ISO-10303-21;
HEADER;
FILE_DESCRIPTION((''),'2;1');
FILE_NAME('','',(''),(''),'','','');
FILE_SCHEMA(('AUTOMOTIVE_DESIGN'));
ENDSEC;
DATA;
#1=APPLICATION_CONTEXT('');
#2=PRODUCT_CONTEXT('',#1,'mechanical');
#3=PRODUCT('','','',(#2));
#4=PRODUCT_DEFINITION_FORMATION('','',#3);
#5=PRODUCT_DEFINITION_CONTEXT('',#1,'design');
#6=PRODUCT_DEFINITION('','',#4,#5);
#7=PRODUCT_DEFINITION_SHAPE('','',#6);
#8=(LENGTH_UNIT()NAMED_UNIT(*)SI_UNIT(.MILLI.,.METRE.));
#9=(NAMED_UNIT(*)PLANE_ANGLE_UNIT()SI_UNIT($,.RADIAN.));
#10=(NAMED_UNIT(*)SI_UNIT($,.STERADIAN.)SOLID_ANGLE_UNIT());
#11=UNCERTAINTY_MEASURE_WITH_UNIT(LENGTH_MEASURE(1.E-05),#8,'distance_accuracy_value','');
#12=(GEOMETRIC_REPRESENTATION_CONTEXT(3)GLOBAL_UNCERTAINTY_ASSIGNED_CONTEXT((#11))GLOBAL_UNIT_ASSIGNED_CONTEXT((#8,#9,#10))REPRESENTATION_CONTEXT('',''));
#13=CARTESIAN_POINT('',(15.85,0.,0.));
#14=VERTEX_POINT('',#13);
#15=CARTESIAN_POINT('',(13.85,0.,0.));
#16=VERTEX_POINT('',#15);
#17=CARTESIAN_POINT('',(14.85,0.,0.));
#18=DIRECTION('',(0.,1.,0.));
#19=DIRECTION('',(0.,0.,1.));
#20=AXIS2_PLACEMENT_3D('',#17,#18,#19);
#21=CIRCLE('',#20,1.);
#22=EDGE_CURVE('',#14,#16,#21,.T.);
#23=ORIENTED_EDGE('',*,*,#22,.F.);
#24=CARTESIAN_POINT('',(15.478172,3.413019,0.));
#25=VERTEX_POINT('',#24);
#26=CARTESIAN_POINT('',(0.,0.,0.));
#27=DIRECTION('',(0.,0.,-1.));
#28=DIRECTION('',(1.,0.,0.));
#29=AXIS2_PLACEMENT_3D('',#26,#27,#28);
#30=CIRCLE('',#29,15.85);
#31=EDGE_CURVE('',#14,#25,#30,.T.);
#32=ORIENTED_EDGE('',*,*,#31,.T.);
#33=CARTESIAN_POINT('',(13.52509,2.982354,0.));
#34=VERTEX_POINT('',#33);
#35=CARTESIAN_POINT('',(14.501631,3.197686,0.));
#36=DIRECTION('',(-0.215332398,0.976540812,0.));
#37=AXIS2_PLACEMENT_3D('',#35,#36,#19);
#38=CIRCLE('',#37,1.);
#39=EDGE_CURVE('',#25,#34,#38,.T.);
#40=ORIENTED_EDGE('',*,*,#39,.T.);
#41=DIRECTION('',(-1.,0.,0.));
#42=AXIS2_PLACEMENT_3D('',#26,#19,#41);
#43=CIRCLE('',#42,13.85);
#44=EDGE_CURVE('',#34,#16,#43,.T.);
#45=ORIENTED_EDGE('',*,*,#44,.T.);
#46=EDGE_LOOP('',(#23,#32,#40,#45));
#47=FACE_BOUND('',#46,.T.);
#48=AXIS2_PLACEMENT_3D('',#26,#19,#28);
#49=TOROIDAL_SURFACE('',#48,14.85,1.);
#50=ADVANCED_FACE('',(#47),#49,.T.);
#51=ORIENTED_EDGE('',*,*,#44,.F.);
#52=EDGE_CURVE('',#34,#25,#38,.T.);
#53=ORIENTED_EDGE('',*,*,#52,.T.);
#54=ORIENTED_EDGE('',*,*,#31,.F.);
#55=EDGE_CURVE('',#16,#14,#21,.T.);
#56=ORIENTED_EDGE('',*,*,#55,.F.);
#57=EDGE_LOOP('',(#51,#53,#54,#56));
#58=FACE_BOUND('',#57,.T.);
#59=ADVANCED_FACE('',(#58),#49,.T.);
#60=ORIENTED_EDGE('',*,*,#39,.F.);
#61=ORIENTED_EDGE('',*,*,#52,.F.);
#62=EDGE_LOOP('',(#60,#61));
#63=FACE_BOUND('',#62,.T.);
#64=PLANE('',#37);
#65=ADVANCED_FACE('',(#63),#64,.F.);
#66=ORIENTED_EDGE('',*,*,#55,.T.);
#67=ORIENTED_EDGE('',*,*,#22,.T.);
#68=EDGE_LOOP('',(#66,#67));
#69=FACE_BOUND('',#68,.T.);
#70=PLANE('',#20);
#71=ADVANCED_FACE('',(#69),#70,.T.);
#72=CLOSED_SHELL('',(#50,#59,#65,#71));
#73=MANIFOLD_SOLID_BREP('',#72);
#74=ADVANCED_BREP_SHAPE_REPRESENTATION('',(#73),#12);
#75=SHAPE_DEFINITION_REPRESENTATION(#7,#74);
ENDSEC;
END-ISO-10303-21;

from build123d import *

# Parameters (mm, degrees)
SKETCH2_R = 1


with BuildPart() as part:
    # Sweep1: sweep along a path in Sketch1
    with BuildLine(Plane.XY) as sweep1_path:
        ThreePointArc((13.525090253, 2.982353711), (-13.768532965, -1.5), (13.85, 0))
    # Sketch2 → Sweep1 (sweep)
    with BuildSketch(Plane(origin=(0, 0, 0), x_dir=(1, 0, 0), z_dir=(0, 1, 0))):
        with Locations((14.85, 0)):
            Circle(SKETCH2_R)
    sweep(path=sweep1_path.line)


solid = part.part
